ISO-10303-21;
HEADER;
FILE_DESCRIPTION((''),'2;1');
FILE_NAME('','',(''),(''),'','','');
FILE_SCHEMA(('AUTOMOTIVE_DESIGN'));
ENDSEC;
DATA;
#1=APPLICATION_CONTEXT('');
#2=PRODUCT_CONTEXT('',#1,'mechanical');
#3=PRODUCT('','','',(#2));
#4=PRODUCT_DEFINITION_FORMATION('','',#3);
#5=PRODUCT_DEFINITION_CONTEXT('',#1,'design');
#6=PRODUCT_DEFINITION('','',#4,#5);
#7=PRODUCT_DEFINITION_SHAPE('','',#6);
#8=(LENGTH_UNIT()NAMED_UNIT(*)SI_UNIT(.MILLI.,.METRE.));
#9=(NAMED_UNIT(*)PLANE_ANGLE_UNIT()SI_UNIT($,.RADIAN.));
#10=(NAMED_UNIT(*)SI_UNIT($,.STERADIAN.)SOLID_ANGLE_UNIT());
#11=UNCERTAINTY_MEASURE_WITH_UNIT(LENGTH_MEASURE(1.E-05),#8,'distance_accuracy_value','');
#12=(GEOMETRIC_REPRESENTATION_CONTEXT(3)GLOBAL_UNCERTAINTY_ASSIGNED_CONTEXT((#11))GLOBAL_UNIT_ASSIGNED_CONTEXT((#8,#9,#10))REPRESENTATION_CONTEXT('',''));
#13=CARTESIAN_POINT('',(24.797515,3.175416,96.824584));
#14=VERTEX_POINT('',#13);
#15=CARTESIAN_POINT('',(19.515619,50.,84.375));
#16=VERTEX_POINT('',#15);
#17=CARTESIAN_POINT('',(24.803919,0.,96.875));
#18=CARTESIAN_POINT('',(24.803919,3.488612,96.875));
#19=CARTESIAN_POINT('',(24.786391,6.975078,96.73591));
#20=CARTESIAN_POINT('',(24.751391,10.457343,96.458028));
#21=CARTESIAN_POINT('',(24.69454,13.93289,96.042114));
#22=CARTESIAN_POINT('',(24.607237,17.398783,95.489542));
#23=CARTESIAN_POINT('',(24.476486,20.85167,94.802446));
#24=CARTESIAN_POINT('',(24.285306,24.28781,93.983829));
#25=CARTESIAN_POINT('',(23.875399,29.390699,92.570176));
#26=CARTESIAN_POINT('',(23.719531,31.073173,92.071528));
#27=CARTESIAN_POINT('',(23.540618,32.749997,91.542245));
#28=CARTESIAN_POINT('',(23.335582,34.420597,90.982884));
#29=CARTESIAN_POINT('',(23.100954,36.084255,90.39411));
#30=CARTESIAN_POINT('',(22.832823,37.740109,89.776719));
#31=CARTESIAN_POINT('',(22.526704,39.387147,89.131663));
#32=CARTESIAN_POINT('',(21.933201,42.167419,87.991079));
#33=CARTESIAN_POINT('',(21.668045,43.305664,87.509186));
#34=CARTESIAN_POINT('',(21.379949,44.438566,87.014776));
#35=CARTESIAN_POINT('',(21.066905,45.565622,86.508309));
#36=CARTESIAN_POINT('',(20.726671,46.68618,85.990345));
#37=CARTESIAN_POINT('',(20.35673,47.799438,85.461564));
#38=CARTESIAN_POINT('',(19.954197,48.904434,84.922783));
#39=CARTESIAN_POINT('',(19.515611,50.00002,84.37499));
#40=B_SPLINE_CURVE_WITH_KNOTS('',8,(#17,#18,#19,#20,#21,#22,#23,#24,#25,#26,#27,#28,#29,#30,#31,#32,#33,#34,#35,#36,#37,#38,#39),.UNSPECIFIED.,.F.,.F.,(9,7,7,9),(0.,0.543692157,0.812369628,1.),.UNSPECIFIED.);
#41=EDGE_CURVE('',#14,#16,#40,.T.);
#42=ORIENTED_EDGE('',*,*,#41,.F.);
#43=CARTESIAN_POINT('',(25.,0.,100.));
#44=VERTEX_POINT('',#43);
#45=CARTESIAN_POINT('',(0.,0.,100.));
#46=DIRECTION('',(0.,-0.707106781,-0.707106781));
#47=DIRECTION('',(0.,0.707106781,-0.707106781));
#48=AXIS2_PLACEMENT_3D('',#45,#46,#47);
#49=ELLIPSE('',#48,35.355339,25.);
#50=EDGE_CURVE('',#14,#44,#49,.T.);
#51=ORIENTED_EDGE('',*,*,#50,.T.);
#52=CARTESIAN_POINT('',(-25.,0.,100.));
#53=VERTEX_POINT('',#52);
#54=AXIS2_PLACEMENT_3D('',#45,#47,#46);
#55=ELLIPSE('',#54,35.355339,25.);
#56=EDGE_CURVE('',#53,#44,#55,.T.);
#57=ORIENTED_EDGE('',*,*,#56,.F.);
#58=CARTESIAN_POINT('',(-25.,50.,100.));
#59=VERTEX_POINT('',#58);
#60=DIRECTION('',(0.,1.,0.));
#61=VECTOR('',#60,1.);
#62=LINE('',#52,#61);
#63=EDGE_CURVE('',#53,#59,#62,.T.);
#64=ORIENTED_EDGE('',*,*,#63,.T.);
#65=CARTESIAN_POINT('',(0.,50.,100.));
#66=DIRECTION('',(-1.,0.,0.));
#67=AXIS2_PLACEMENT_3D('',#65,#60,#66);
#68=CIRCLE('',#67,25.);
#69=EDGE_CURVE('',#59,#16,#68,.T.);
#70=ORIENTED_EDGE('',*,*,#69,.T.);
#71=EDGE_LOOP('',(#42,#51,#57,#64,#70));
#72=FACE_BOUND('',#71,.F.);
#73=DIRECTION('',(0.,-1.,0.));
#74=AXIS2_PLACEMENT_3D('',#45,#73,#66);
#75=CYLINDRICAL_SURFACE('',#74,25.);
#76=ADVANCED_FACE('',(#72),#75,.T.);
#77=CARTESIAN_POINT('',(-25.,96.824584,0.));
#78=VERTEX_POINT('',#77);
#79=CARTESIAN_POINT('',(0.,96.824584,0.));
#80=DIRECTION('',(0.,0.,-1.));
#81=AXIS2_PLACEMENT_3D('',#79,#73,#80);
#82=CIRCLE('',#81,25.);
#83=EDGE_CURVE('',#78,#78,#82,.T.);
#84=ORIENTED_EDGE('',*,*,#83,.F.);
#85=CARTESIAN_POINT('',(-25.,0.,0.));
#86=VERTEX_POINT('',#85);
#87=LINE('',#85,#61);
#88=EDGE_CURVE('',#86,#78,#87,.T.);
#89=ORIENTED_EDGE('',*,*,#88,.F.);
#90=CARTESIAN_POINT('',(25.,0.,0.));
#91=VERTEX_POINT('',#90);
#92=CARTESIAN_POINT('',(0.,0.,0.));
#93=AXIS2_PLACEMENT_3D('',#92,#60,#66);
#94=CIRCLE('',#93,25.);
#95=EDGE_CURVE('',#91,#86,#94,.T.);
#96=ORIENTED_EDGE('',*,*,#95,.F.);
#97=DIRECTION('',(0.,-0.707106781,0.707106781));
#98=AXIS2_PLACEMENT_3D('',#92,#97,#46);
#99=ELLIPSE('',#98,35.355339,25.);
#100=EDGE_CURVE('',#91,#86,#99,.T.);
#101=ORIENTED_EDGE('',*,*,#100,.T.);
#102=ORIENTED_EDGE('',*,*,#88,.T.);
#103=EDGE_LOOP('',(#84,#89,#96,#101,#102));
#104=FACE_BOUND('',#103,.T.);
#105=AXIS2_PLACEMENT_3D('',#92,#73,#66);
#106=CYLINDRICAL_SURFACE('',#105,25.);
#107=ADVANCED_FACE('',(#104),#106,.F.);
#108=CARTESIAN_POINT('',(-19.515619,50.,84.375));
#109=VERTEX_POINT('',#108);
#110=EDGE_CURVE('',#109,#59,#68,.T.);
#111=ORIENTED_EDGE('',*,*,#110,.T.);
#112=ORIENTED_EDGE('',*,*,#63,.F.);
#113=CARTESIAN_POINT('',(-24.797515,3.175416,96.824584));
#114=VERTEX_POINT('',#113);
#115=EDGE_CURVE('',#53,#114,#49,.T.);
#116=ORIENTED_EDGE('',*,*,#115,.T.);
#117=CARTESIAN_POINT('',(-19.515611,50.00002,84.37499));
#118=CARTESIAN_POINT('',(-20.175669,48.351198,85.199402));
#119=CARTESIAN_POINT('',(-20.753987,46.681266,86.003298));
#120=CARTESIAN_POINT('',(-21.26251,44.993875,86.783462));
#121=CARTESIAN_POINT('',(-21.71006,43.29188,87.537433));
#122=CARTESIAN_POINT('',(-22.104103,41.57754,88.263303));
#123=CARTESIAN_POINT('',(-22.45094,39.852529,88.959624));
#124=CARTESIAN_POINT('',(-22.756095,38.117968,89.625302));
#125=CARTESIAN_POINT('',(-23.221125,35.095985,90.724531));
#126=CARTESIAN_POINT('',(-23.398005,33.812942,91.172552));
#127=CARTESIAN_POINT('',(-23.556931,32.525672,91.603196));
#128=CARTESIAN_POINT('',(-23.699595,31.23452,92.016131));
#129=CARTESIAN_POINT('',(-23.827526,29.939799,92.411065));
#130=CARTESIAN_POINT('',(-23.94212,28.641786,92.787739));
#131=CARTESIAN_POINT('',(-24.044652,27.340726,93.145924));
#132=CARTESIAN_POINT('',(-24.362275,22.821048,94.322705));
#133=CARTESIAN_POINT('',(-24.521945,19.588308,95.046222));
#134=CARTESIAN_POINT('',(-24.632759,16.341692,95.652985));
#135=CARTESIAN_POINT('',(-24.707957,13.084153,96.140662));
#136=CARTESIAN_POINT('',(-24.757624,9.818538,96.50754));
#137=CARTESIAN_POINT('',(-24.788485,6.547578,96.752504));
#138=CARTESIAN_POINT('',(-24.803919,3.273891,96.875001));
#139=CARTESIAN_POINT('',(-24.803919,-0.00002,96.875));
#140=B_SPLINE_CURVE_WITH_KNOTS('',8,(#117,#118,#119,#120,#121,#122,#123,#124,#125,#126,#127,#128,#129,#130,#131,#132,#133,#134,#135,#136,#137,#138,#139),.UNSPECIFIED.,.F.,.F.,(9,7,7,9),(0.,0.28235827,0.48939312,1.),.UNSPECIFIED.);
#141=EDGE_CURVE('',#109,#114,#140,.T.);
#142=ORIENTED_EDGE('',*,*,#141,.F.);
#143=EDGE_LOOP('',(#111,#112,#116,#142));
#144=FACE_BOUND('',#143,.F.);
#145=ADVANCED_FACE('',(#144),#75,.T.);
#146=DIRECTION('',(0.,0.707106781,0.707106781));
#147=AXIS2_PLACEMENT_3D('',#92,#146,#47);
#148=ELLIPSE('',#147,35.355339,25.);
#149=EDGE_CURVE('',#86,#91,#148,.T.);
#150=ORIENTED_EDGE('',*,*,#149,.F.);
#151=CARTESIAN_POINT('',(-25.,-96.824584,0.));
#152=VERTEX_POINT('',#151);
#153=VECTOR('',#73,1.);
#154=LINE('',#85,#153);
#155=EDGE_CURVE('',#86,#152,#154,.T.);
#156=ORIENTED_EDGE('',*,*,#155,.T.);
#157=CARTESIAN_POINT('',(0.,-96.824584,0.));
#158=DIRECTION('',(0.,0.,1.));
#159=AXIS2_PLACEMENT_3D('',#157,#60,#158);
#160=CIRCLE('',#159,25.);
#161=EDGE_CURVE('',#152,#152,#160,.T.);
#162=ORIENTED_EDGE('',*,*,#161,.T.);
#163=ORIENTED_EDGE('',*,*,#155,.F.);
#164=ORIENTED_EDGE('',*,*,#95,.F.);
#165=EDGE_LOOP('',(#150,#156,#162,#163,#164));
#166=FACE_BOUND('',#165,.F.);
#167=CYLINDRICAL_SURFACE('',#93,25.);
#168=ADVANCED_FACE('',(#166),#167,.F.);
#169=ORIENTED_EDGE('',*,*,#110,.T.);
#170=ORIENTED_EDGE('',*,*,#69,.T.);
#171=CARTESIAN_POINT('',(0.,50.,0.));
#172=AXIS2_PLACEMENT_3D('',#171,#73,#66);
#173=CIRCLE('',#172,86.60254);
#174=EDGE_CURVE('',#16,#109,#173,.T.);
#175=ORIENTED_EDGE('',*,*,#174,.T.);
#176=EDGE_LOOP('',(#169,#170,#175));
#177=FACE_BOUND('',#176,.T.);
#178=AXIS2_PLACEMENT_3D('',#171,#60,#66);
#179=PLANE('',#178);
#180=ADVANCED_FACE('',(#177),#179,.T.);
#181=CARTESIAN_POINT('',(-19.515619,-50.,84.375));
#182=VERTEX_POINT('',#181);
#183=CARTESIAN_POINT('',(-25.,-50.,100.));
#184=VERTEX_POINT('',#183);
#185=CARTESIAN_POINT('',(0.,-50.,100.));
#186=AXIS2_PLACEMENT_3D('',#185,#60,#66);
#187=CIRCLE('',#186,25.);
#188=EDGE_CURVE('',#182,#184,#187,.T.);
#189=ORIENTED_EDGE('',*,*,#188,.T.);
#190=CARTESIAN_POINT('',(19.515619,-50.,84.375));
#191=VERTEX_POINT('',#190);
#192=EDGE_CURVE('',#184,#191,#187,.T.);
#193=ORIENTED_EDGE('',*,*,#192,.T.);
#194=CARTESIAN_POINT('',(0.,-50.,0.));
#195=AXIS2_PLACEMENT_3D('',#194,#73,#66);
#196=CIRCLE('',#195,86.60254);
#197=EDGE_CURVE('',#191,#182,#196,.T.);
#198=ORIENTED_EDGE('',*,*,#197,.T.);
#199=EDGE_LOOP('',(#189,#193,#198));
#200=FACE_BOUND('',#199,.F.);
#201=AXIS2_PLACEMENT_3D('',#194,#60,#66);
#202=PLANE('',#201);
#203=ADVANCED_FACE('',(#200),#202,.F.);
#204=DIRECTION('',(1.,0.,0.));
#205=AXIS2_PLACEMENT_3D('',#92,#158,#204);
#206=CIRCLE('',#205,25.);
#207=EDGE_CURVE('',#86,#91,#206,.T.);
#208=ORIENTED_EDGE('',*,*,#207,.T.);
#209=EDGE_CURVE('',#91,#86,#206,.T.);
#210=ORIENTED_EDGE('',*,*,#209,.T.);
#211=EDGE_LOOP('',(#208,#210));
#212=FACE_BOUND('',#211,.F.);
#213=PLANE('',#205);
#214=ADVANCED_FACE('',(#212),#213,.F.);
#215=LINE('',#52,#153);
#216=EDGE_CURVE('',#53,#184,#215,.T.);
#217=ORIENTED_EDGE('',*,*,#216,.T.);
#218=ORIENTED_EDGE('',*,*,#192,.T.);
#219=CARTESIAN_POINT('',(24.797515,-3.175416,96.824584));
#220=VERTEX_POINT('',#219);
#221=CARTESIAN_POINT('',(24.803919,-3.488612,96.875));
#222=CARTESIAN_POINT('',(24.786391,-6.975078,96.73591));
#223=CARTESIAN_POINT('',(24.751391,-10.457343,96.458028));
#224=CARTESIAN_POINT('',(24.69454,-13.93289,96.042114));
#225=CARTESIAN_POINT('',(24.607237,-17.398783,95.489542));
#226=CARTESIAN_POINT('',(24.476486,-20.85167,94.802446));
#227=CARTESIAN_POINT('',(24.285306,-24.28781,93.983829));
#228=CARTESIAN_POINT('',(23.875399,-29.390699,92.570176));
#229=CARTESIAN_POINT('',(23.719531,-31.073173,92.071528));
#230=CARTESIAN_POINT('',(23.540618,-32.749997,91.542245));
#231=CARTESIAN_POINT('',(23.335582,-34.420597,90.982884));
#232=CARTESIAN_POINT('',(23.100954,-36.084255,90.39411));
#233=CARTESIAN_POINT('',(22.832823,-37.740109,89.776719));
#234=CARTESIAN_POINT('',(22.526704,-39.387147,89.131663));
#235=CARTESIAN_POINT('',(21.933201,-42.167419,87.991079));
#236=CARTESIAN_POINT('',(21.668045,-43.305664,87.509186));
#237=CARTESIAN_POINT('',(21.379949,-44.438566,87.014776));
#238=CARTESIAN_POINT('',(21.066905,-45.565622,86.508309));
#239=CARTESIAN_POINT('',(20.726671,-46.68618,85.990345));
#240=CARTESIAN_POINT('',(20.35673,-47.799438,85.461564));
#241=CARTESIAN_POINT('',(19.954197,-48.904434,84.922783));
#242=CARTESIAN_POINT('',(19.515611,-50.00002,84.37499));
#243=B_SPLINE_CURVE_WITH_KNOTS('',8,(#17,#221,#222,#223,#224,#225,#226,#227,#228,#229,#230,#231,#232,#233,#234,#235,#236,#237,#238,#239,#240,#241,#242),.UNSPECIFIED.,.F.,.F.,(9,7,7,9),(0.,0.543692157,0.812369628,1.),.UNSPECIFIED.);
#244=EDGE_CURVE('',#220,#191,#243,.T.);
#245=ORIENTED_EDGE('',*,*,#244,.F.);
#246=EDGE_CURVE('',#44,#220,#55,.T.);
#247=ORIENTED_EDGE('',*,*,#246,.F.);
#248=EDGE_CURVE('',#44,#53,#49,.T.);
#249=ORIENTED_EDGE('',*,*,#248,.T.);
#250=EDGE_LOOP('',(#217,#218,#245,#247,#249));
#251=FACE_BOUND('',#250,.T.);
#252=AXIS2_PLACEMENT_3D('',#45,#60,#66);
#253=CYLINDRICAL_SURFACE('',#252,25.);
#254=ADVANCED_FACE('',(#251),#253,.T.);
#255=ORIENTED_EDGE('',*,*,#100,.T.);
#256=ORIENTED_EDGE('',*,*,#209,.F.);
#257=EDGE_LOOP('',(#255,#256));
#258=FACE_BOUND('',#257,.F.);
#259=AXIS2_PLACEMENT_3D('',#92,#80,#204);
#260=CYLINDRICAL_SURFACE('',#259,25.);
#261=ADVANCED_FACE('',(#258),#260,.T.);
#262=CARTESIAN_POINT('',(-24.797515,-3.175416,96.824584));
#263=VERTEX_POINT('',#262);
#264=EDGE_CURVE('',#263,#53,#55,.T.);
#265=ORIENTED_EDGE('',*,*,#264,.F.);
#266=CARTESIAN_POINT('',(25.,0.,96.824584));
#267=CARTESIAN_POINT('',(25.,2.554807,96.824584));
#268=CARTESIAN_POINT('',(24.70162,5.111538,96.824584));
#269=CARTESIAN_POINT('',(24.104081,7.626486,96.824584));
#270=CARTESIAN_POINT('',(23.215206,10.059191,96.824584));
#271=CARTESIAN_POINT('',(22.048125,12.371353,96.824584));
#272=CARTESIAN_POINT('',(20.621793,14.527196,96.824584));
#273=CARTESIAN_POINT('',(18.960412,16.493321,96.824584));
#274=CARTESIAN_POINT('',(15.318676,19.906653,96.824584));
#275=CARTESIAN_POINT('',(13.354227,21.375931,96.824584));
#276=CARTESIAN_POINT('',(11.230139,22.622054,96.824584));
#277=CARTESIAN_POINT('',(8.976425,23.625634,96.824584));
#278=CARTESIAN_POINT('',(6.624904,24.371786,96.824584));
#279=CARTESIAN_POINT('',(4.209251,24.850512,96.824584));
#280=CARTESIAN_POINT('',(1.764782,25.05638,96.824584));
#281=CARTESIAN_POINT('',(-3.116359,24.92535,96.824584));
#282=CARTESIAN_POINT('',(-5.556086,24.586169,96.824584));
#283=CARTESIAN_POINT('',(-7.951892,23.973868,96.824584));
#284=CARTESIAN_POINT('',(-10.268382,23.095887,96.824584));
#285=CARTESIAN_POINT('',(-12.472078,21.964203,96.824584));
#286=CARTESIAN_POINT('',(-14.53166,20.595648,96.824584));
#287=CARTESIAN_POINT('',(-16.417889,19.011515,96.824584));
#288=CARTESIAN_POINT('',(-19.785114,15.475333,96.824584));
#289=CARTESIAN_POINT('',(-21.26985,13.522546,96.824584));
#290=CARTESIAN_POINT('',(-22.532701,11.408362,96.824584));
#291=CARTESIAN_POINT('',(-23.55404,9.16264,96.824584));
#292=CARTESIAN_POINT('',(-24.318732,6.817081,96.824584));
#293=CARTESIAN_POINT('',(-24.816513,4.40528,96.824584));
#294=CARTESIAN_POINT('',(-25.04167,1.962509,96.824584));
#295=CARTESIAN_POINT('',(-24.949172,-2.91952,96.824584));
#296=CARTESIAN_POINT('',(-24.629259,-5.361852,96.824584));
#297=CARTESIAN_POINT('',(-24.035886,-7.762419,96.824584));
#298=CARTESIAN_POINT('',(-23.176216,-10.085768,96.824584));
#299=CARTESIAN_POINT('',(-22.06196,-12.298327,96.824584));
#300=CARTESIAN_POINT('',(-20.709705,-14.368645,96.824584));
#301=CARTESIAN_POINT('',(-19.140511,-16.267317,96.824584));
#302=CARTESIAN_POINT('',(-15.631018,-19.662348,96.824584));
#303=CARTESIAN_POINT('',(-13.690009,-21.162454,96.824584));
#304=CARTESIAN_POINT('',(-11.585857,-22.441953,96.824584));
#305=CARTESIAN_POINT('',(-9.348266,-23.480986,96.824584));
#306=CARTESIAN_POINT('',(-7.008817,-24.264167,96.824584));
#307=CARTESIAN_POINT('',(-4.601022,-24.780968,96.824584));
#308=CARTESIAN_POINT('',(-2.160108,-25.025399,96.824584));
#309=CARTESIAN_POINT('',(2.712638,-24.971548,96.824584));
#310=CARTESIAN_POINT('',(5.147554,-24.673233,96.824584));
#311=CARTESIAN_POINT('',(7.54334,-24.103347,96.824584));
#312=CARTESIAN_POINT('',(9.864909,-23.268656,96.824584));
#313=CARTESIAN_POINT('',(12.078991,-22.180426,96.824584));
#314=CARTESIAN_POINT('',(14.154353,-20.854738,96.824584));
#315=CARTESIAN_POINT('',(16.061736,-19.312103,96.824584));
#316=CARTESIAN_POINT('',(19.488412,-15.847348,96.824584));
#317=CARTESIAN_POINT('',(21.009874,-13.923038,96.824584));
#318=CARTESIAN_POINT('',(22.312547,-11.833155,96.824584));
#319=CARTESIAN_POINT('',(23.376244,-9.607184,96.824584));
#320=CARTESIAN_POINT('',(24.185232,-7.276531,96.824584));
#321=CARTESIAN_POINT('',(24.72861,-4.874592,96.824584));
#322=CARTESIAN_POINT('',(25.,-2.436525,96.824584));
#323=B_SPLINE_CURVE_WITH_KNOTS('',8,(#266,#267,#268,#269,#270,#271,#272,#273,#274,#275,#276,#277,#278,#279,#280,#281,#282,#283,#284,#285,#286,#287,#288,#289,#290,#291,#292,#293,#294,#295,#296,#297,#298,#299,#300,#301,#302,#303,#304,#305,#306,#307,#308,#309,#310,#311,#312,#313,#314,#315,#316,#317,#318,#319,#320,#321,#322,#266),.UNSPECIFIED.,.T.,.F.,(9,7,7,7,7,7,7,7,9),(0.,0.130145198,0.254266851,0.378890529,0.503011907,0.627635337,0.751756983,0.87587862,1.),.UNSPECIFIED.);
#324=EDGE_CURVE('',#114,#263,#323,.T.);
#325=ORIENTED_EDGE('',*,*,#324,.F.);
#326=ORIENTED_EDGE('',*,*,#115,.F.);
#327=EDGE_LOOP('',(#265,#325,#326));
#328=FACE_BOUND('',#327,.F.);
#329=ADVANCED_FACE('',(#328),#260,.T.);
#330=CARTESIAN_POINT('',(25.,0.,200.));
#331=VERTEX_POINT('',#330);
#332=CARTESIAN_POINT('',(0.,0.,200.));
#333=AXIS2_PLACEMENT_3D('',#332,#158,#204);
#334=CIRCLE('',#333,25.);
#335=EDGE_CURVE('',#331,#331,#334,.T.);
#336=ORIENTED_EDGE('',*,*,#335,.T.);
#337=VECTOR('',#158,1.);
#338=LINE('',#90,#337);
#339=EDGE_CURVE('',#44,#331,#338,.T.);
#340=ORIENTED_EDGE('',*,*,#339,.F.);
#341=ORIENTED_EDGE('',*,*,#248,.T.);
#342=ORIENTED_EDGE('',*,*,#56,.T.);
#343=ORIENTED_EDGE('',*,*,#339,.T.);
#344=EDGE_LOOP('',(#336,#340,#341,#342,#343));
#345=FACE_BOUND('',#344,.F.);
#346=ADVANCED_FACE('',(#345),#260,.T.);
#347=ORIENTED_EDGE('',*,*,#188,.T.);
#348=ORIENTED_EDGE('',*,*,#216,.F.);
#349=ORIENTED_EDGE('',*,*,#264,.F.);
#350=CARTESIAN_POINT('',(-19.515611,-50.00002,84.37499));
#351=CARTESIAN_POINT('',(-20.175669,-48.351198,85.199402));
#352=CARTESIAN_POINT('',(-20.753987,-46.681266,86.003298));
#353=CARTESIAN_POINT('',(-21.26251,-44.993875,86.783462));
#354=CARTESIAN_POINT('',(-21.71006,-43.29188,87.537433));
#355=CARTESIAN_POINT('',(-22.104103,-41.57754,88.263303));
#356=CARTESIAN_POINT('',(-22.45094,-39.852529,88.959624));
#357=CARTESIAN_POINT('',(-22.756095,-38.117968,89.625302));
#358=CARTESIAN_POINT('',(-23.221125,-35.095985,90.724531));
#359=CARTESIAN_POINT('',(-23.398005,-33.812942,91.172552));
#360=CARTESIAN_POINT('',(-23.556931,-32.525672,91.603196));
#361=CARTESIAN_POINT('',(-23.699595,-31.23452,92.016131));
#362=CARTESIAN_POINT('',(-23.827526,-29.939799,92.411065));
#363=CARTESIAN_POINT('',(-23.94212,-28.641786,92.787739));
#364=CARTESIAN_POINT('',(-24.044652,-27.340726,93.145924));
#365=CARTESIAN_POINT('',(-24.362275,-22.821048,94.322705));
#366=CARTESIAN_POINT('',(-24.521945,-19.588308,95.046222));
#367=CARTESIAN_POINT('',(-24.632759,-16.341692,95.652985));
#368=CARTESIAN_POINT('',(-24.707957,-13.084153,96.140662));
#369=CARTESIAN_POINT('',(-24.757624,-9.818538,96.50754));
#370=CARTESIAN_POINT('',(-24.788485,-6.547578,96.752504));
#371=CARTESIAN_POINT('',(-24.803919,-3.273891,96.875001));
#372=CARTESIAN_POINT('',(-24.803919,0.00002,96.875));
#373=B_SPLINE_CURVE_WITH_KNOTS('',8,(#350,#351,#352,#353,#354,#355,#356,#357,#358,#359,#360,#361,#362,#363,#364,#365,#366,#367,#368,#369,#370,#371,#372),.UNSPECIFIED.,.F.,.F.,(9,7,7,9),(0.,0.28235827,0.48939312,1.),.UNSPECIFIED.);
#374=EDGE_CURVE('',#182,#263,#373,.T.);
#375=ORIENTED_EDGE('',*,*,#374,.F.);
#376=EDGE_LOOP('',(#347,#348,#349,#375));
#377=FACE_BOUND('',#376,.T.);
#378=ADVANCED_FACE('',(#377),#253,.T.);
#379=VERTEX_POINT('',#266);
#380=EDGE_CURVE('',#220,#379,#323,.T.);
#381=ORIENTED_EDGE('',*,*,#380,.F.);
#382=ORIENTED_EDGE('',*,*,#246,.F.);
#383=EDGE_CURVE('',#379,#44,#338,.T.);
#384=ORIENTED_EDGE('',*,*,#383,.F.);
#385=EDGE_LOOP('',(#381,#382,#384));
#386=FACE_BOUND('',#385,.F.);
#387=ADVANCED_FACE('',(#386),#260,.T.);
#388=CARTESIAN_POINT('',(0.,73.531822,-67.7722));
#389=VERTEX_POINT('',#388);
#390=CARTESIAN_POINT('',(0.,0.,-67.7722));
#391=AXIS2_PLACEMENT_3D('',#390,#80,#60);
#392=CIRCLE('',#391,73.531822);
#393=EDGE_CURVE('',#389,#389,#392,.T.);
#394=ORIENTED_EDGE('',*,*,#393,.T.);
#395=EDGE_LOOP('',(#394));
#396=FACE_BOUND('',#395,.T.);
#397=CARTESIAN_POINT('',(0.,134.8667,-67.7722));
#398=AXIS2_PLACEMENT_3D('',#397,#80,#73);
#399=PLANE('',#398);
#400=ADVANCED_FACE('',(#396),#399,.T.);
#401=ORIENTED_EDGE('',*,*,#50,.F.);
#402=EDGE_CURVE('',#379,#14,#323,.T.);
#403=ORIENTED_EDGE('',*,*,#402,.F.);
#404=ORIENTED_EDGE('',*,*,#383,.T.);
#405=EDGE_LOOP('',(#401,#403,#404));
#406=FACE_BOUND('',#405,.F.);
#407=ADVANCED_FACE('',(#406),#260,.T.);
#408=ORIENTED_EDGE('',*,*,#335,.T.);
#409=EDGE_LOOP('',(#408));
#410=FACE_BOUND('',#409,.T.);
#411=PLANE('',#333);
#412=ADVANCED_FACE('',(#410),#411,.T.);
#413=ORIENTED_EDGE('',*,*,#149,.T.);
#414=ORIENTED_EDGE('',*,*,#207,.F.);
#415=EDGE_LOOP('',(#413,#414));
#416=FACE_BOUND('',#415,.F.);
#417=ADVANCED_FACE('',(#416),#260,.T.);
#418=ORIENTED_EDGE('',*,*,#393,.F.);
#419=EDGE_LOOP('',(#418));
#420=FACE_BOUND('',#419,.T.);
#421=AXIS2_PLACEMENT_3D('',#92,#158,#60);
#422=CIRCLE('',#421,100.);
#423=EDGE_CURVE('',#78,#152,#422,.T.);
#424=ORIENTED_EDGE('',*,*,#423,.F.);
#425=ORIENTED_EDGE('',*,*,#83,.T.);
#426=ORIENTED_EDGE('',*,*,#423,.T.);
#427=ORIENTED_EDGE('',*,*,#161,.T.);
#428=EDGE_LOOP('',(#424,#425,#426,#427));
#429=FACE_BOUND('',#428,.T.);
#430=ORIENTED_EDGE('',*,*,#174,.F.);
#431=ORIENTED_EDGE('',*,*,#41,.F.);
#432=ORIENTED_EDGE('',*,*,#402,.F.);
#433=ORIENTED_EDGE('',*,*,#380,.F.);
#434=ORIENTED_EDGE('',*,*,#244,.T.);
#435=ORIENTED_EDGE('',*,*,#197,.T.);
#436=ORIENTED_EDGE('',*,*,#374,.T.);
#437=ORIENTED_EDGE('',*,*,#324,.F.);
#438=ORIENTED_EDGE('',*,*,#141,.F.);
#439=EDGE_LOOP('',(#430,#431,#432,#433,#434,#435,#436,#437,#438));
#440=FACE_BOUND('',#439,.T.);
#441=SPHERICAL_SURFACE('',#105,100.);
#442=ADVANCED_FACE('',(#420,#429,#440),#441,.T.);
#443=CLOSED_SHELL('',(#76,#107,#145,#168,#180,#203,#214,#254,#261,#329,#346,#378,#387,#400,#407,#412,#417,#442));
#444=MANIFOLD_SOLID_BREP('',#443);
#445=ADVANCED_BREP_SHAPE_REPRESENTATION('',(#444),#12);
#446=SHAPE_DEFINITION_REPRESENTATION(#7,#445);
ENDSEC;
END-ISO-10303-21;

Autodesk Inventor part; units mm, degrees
sketch "スケッチ1" plane through (0, 0, 0) normal (0, 0, 1) x (1, 0, 0)
  arc A0 (0, 100) -> (0, -100) centre (0, 0) ccw
  line L0 (0, 100) -> (0, -100)
  dimension "d0" = 200
revolve "回転1" add sketch "スケッチ1" angle 360 about axis through (0, 100, 0) along (0, -1, 0)
ref_plane "作業平面1" through (0, 0, 300) normal (0, 0, 1) x (1, 0, 0)
ref_plane "作業平面2" through (0, 100, 0) normal (0, 1, 0) x (-1, 0, 0)
ref_plane "作業平面3" through (0, -100, 0) normal (0, 1, 0) x (-1, 0, 0)
ref_plane "作業平面4" through (0, 0, 100) normal (0, 0, 1) x (1, 0, 0)
sketch "スケッチ2" plane through (0, 0, 0) normal (1, 0, 0) x (0, 1, 0)
  line L0 (134.8667, -67.7722) -> (-130.8003, -67.7722)
  line L1 (-130.8003, -67.7722) -> (-130.8003, -136.448)
  line L2 (-130.8003, -136.448) -> (134.8667, -136.448)
  line L3 (134.8667, -136.448) -> (134.8667, -67.7722)
  point P0 (0, 0)
extrude "押し出し1" cut sketch "スケッチ2" along normal mid plane 200
sketch "スケッチ3" plane through (0, 0, 0) normal (0, 1, 0) x (-1, 0, 0)
  circle A0 centre (0, 0) radius 25
  dimension "d8" = 50
extrude "押し出し2" cut sketch "スケッチ3" along normal mid plane 200
sketch "スケッチ4" plane through (0, 0, 0) normal (0, 0, 1) x (1, 0, 0)
  circle A0 centre (0, 0) radius 25
  dimension "d11" = 50
extrude "押し出し3" add sketch "スケッチ4" along normal blind 200
sketch "スケッチ5" plane through (0, 0, 0) normal (0, 1, 0) x (-1, 0, 0)
  circle A0 centre (0, 100) radius 25
  point P0 (0, 0)
  dimension "d14" = 50
  dimension "d15" = 100
extrude "押し出し4" add sketch "スケッチ5" along normal mid plane 100
properties part number "ChestP"
